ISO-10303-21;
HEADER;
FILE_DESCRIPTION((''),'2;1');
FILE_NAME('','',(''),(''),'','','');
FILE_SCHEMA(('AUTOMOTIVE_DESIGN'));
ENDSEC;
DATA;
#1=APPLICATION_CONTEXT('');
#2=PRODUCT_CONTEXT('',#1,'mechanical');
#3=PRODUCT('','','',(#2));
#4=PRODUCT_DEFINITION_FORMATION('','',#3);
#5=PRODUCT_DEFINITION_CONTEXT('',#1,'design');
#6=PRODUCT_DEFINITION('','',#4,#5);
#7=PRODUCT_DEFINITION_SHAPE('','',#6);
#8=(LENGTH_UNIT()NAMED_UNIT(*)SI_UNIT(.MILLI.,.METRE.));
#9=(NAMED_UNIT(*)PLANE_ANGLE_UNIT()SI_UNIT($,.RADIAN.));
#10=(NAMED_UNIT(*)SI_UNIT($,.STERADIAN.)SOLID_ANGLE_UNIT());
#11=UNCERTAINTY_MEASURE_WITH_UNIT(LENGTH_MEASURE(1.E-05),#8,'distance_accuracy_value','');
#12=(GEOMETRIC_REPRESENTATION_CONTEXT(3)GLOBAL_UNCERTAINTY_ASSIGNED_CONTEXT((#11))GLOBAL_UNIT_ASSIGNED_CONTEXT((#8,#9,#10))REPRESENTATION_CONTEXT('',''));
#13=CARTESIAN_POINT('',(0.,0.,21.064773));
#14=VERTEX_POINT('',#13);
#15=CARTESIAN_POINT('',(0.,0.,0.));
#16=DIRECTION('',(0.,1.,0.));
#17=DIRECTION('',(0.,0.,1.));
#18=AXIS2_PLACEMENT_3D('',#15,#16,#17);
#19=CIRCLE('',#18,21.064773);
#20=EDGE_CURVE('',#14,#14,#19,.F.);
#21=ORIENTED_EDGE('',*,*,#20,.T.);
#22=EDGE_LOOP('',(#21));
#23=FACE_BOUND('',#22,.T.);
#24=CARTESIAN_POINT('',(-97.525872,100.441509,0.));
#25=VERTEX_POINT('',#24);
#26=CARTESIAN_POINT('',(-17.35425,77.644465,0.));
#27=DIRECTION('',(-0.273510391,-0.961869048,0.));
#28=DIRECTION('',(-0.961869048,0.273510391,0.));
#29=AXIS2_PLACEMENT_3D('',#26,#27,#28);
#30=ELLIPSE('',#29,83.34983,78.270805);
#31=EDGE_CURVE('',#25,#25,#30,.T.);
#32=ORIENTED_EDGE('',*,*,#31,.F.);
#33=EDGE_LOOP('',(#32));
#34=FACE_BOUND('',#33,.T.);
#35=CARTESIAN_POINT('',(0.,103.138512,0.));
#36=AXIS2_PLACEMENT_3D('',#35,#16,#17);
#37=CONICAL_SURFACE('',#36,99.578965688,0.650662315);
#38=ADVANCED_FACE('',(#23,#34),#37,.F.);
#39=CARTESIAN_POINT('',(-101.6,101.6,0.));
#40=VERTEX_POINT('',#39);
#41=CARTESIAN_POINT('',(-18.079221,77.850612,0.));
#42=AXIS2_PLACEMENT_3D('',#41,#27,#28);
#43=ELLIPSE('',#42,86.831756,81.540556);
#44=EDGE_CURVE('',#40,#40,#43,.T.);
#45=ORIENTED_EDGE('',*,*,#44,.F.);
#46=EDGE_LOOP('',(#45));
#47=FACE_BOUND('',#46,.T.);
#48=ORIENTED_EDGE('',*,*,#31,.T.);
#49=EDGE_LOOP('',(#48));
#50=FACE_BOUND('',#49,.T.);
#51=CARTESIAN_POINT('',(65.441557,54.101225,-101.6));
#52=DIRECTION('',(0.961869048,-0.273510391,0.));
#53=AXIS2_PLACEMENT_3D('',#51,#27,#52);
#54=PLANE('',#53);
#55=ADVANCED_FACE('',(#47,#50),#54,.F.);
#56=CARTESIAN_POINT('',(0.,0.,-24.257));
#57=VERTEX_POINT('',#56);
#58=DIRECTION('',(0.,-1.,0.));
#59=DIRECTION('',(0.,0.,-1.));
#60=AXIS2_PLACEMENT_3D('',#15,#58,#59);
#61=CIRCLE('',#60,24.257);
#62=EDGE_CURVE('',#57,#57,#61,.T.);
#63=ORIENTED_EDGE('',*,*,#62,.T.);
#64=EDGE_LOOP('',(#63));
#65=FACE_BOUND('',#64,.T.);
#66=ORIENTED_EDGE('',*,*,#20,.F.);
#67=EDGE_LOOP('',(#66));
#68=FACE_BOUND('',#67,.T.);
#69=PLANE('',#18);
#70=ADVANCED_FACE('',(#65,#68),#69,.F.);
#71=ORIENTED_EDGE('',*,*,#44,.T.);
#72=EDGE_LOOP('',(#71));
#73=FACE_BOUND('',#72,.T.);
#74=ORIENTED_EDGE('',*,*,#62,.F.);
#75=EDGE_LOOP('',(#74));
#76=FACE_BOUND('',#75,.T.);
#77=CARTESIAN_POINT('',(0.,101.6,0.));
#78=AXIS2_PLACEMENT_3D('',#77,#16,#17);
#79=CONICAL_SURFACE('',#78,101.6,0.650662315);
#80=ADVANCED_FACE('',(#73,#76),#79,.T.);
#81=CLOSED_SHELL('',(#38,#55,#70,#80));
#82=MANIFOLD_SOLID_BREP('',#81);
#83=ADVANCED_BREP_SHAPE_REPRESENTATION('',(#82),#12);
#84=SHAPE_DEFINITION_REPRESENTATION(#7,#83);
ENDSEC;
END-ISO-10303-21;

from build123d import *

# Parameters (mm, degrees)
SHELL1_T                = -2.54
CUT_EXTRUDE4_DEPTH      = 176.976362049
CUT_EXTRUDE4_DEPTH_BACK = 176.976362049


with BuildPart() as part:
    # Sketch3 → Revolve1 (revolve)
    with BuildSketch(Plane.XY, mode=Mode.PRIVATE) as revolve1_sk:
        Polygon((0, 0), (-24.257, 0), (-101.6, 101.6), (0, 101.6), align=None)
    revolve(revolve1_sk.sketch.rotate(Axis((0, 0, 0), (0, 1, 0)), 90), axis=Axis((0, 0, 0), (0, 1, 0)))

    # Shell1
    shell1_openings = [part.faces().sort_by_distance(p)[0] for p in [
        (0, 101.6, 0),
        (0, 0, 0),
    ]]
    offset(amount=SHELL1_T, openings=shell1_openings, kind=Kind.INTERSECTION)

    # Sketch4 → Cut-Extrude4 (cut, two sides: drawn at the far end of the back side and taken through both)
    with BuildSketch(Plane.XY.offset(-CUT_EXTRUDE4_DEPTH_BACK)):
        Polygon((101.6, 101.6), (0, 101.6), (-101.6, 101.6), (65.441557357, 54.101224771), align=None)
    extrude(amount=CUT_EXTRUDE4_DEPTH + CUT_EXTRUDE4_DEPTH_BACK, mode=Mode.SUBTRACT)


solid = part.part
